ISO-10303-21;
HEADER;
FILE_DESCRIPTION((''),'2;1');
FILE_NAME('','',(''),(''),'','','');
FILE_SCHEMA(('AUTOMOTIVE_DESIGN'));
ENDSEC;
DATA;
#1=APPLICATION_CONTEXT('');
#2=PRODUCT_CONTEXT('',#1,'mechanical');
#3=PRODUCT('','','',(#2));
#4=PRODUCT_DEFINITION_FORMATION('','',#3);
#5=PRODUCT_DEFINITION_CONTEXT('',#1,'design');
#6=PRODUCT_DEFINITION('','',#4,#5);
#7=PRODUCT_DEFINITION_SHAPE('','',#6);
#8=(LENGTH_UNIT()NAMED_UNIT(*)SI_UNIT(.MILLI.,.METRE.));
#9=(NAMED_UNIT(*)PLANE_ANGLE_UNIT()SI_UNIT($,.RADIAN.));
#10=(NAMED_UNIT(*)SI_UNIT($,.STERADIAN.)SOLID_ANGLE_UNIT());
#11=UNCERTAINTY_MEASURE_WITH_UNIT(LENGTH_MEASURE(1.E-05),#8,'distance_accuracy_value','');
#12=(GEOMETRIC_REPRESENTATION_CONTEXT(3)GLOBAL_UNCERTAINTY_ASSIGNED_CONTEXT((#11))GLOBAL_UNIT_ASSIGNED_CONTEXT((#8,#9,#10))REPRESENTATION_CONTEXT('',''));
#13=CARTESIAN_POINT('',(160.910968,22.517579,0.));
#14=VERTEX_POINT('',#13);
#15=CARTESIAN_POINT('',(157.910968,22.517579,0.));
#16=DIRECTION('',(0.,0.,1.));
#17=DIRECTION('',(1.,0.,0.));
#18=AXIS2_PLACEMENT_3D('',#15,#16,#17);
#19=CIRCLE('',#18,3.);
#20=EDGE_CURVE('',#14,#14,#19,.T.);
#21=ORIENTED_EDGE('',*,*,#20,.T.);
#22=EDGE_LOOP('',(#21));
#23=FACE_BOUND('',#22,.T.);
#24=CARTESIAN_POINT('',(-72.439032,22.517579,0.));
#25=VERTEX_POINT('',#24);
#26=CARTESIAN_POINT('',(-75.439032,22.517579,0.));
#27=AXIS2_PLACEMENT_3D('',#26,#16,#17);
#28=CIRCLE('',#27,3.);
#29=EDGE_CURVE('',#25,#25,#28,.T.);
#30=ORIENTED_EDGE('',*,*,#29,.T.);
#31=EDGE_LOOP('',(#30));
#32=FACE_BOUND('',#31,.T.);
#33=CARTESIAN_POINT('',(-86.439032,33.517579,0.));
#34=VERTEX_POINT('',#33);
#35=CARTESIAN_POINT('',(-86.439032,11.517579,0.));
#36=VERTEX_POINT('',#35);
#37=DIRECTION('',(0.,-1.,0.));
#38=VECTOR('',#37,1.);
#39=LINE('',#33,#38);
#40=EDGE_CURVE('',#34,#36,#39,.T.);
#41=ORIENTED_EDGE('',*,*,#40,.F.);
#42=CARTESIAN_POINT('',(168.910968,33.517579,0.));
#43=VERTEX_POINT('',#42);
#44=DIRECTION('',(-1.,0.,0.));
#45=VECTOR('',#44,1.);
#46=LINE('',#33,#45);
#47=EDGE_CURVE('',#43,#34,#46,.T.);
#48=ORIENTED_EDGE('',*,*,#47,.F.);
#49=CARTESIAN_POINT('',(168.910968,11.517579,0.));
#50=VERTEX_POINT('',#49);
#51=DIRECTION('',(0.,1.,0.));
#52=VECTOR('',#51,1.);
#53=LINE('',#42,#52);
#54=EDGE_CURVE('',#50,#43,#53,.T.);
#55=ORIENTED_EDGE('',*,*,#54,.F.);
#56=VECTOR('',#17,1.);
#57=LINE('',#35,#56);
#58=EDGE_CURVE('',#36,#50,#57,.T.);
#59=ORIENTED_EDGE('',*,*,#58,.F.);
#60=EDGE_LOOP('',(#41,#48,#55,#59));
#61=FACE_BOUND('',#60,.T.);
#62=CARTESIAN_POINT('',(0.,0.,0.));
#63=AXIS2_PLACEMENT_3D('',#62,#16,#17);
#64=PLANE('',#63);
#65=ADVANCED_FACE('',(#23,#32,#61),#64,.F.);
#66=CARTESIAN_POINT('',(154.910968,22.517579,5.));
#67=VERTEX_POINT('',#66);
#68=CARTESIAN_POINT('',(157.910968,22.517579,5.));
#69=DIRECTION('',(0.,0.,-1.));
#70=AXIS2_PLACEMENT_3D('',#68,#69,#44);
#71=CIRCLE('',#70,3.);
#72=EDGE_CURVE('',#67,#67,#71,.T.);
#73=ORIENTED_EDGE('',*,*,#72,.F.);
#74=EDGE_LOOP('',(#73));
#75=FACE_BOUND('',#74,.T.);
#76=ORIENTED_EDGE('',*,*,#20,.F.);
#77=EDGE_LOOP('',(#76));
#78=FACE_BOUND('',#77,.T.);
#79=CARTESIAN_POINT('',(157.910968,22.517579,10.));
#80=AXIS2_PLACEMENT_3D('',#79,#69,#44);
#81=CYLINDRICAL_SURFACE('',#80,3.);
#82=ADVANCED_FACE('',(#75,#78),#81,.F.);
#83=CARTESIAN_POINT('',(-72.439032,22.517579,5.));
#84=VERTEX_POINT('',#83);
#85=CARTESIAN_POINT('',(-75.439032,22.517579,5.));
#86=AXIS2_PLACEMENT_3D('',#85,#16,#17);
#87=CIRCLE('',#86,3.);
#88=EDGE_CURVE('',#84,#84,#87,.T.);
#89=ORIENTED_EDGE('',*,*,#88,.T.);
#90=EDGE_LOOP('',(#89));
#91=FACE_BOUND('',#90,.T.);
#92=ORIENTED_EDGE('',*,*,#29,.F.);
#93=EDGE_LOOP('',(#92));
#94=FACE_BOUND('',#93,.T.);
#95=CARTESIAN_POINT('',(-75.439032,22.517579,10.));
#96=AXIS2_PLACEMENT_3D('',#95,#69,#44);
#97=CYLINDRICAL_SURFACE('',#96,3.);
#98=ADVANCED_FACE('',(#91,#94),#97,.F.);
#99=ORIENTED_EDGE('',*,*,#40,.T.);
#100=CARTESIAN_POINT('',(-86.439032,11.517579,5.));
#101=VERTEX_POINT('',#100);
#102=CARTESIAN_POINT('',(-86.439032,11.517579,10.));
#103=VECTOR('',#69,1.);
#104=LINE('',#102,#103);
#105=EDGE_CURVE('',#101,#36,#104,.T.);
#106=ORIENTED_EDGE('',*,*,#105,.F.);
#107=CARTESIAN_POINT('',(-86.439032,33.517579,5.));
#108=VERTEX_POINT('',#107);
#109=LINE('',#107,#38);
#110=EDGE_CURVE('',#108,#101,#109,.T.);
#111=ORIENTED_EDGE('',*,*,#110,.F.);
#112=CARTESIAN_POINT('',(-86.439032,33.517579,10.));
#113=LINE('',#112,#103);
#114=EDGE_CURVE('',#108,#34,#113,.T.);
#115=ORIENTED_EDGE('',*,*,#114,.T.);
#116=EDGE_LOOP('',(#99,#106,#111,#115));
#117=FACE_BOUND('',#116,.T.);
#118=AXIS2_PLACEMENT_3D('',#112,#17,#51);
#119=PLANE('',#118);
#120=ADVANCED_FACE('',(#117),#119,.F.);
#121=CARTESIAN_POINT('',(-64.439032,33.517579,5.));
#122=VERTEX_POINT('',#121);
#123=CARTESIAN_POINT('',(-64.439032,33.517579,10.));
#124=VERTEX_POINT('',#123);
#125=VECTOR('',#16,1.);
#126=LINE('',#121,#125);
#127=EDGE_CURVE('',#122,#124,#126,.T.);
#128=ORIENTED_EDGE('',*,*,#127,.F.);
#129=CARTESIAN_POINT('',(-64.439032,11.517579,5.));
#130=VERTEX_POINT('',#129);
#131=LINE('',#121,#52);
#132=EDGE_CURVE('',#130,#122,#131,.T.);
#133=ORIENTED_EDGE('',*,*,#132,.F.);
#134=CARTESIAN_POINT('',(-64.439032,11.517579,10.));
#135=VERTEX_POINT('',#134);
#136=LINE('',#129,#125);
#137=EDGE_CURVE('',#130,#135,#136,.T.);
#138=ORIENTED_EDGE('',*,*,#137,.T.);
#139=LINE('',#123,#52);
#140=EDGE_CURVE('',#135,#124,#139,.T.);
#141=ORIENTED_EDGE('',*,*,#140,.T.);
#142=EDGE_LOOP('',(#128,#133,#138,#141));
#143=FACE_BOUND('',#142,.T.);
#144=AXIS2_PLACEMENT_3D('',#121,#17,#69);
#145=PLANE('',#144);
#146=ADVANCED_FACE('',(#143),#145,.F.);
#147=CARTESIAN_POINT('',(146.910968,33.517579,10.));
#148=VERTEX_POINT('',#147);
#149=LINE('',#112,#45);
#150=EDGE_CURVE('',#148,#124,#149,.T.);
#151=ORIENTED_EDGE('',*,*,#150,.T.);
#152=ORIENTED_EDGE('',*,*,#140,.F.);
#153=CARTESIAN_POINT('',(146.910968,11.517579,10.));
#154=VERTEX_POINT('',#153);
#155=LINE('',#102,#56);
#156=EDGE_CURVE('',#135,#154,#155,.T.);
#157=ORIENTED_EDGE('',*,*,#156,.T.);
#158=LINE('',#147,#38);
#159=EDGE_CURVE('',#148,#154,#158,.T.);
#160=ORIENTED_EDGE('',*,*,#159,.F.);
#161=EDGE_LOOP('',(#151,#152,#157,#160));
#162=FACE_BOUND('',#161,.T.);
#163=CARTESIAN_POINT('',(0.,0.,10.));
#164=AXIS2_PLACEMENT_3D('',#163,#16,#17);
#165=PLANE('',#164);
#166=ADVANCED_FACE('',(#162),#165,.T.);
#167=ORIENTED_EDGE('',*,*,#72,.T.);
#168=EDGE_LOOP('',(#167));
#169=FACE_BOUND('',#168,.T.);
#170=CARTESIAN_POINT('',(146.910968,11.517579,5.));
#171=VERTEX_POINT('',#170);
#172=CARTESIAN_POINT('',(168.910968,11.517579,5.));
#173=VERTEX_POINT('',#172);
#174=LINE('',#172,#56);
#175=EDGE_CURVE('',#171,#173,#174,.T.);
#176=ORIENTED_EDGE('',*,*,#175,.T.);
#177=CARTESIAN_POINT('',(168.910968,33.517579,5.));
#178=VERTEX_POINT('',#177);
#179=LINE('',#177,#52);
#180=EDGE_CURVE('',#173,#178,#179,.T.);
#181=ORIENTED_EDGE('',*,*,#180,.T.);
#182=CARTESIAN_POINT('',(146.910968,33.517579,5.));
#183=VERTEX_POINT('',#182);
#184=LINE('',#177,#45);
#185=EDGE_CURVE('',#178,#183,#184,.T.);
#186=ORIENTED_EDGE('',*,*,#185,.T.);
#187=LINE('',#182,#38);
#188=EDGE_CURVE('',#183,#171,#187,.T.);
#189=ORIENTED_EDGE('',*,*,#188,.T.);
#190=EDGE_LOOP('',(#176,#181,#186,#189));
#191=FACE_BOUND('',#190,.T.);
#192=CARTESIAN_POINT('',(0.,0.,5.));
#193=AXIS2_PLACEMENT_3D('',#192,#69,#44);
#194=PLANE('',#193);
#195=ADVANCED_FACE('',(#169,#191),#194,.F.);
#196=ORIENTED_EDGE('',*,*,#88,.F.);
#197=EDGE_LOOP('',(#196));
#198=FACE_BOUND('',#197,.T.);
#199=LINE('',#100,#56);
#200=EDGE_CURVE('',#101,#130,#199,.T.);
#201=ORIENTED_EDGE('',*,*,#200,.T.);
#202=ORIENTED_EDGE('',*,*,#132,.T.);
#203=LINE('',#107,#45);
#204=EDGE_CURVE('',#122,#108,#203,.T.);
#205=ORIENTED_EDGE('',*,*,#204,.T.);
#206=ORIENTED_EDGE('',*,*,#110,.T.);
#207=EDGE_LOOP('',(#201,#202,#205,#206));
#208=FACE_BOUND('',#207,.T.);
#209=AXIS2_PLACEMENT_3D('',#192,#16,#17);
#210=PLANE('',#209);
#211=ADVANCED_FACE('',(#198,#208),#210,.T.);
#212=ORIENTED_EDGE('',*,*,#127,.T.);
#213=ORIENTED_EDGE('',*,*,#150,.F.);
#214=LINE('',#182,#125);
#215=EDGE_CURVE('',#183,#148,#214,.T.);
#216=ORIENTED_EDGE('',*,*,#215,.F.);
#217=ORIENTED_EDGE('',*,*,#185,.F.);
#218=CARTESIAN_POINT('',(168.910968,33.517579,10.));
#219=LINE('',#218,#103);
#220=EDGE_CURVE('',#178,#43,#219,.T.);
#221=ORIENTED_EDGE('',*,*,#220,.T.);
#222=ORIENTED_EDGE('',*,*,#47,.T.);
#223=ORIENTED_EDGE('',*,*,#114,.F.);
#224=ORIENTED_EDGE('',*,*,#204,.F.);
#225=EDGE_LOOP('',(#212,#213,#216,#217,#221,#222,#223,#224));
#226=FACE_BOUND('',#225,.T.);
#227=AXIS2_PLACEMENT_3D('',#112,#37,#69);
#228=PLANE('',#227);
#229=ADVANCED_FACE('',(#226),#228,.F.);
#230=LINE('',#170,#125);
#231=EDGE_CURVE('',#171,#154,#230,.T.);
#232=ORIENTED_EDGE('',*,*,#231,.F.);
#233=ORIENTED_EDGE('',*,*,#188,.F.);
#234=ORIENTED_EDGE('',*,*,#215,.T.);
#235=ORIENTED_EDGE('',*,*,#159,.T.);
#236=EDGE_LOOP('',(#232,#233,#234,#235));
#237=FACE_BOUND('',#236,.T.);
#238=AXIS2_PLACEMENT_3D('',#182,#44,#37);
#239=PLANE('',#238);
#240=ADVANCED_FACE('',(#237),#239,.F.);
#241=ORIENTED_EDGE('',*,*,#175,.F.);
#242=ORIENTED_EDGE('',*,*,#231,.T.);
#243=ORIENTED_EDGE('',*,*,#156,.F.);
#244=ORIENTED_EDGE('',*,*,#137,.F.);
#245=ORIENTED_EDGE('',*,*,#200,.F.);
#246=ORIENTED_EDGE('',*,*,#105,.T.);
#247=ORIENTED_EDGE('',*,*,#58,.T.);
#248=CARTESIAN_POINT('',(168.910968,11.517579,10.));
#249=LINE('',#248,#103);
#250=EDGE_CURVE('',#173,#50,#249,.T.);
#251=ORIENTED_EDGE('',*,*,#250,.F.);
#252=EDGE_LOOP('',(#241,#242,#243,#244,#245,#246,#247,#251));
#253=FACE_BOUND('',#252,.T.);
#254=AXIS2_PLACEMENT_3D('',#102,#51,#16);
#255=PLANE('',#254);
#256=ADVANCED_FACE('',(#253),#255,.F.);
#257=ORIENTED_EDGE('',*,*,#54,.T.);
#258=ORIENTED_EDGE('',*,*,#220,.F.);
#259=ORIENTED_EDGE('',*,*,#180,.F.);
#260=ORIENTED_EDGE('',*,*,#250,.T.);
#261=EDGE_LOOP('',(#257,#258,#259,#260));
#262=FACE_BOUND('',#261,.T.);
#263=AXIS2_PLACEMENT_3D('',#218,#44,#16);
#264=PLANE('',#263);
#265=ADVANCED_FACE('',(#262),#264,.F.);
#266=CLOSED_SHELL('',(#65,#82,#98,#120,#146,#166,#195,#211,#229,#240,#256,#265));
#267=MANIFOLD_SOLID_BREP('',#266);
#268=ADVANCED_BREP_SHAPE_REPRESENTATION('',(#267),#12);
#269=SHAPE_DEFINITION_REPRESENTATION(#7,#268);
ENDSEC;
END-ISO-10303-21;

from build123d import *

# Parameters (mm, degrees)
ESQUISSE5_W             = 255.35
ESQUISSE5_H             = 22
BOSS_EXTRU_1_DEPTH      = 10
ESQUISSE6_R             = 3
ENL_V_MAT_EXTRU_4_DEPTH = 173.494473459
ESQUISSE7_W             = 22
ESQUISSE7_H             = 22
ENL_V_MAT_EXTRU_5_DEPTH = 5


with BuildPart() as part:
    # Esquisse5 → Boss.-Extru.1 (new body)
    with BuildSketch(Plane.XY):
        with Locations((41.235968465, 22.517579062)):
            Rectangle(ESQUISSE5_W, ESQUISSE5_H)
    extrude(amount=BOSS_EXTRU_1_DEPTH)

    # Esquisse6 → Enlèv. mat.-Extru.4 (cut, through all)
    with BuildSketch(Plane.XY):
        with Locations((-75.439031535, 22.517579062)):
            Circle(ESQUISSE6_R)
        with Locations((157.910968465, 22.517579062)):
            Circle(ESQUISSE6_R)
    extrude(amount=ENL_V_MAT_EXTRU_4_DEPTH, mode=Mode.SUBTRACT)

    # Esquisse7 → Enlèv. mat.-Extru.5 (cut)
    with BuildSketch(Plane.XY.offset(10)):
        with Locations((-75.439031535, 22.517579062)):
            Rectangle(ESQUISSE7_W, ESQUISSE7_H)
        with Locations((157.910968465, 22.517579062)):
            Rectangle(ESQUISSE7_W, ESQUISSE7_H)
    extrude(amount=-ENL_V_MAT_EXTRU_5_DEPTH, mode=Mode.SUBTRACT)


solid = part.part
